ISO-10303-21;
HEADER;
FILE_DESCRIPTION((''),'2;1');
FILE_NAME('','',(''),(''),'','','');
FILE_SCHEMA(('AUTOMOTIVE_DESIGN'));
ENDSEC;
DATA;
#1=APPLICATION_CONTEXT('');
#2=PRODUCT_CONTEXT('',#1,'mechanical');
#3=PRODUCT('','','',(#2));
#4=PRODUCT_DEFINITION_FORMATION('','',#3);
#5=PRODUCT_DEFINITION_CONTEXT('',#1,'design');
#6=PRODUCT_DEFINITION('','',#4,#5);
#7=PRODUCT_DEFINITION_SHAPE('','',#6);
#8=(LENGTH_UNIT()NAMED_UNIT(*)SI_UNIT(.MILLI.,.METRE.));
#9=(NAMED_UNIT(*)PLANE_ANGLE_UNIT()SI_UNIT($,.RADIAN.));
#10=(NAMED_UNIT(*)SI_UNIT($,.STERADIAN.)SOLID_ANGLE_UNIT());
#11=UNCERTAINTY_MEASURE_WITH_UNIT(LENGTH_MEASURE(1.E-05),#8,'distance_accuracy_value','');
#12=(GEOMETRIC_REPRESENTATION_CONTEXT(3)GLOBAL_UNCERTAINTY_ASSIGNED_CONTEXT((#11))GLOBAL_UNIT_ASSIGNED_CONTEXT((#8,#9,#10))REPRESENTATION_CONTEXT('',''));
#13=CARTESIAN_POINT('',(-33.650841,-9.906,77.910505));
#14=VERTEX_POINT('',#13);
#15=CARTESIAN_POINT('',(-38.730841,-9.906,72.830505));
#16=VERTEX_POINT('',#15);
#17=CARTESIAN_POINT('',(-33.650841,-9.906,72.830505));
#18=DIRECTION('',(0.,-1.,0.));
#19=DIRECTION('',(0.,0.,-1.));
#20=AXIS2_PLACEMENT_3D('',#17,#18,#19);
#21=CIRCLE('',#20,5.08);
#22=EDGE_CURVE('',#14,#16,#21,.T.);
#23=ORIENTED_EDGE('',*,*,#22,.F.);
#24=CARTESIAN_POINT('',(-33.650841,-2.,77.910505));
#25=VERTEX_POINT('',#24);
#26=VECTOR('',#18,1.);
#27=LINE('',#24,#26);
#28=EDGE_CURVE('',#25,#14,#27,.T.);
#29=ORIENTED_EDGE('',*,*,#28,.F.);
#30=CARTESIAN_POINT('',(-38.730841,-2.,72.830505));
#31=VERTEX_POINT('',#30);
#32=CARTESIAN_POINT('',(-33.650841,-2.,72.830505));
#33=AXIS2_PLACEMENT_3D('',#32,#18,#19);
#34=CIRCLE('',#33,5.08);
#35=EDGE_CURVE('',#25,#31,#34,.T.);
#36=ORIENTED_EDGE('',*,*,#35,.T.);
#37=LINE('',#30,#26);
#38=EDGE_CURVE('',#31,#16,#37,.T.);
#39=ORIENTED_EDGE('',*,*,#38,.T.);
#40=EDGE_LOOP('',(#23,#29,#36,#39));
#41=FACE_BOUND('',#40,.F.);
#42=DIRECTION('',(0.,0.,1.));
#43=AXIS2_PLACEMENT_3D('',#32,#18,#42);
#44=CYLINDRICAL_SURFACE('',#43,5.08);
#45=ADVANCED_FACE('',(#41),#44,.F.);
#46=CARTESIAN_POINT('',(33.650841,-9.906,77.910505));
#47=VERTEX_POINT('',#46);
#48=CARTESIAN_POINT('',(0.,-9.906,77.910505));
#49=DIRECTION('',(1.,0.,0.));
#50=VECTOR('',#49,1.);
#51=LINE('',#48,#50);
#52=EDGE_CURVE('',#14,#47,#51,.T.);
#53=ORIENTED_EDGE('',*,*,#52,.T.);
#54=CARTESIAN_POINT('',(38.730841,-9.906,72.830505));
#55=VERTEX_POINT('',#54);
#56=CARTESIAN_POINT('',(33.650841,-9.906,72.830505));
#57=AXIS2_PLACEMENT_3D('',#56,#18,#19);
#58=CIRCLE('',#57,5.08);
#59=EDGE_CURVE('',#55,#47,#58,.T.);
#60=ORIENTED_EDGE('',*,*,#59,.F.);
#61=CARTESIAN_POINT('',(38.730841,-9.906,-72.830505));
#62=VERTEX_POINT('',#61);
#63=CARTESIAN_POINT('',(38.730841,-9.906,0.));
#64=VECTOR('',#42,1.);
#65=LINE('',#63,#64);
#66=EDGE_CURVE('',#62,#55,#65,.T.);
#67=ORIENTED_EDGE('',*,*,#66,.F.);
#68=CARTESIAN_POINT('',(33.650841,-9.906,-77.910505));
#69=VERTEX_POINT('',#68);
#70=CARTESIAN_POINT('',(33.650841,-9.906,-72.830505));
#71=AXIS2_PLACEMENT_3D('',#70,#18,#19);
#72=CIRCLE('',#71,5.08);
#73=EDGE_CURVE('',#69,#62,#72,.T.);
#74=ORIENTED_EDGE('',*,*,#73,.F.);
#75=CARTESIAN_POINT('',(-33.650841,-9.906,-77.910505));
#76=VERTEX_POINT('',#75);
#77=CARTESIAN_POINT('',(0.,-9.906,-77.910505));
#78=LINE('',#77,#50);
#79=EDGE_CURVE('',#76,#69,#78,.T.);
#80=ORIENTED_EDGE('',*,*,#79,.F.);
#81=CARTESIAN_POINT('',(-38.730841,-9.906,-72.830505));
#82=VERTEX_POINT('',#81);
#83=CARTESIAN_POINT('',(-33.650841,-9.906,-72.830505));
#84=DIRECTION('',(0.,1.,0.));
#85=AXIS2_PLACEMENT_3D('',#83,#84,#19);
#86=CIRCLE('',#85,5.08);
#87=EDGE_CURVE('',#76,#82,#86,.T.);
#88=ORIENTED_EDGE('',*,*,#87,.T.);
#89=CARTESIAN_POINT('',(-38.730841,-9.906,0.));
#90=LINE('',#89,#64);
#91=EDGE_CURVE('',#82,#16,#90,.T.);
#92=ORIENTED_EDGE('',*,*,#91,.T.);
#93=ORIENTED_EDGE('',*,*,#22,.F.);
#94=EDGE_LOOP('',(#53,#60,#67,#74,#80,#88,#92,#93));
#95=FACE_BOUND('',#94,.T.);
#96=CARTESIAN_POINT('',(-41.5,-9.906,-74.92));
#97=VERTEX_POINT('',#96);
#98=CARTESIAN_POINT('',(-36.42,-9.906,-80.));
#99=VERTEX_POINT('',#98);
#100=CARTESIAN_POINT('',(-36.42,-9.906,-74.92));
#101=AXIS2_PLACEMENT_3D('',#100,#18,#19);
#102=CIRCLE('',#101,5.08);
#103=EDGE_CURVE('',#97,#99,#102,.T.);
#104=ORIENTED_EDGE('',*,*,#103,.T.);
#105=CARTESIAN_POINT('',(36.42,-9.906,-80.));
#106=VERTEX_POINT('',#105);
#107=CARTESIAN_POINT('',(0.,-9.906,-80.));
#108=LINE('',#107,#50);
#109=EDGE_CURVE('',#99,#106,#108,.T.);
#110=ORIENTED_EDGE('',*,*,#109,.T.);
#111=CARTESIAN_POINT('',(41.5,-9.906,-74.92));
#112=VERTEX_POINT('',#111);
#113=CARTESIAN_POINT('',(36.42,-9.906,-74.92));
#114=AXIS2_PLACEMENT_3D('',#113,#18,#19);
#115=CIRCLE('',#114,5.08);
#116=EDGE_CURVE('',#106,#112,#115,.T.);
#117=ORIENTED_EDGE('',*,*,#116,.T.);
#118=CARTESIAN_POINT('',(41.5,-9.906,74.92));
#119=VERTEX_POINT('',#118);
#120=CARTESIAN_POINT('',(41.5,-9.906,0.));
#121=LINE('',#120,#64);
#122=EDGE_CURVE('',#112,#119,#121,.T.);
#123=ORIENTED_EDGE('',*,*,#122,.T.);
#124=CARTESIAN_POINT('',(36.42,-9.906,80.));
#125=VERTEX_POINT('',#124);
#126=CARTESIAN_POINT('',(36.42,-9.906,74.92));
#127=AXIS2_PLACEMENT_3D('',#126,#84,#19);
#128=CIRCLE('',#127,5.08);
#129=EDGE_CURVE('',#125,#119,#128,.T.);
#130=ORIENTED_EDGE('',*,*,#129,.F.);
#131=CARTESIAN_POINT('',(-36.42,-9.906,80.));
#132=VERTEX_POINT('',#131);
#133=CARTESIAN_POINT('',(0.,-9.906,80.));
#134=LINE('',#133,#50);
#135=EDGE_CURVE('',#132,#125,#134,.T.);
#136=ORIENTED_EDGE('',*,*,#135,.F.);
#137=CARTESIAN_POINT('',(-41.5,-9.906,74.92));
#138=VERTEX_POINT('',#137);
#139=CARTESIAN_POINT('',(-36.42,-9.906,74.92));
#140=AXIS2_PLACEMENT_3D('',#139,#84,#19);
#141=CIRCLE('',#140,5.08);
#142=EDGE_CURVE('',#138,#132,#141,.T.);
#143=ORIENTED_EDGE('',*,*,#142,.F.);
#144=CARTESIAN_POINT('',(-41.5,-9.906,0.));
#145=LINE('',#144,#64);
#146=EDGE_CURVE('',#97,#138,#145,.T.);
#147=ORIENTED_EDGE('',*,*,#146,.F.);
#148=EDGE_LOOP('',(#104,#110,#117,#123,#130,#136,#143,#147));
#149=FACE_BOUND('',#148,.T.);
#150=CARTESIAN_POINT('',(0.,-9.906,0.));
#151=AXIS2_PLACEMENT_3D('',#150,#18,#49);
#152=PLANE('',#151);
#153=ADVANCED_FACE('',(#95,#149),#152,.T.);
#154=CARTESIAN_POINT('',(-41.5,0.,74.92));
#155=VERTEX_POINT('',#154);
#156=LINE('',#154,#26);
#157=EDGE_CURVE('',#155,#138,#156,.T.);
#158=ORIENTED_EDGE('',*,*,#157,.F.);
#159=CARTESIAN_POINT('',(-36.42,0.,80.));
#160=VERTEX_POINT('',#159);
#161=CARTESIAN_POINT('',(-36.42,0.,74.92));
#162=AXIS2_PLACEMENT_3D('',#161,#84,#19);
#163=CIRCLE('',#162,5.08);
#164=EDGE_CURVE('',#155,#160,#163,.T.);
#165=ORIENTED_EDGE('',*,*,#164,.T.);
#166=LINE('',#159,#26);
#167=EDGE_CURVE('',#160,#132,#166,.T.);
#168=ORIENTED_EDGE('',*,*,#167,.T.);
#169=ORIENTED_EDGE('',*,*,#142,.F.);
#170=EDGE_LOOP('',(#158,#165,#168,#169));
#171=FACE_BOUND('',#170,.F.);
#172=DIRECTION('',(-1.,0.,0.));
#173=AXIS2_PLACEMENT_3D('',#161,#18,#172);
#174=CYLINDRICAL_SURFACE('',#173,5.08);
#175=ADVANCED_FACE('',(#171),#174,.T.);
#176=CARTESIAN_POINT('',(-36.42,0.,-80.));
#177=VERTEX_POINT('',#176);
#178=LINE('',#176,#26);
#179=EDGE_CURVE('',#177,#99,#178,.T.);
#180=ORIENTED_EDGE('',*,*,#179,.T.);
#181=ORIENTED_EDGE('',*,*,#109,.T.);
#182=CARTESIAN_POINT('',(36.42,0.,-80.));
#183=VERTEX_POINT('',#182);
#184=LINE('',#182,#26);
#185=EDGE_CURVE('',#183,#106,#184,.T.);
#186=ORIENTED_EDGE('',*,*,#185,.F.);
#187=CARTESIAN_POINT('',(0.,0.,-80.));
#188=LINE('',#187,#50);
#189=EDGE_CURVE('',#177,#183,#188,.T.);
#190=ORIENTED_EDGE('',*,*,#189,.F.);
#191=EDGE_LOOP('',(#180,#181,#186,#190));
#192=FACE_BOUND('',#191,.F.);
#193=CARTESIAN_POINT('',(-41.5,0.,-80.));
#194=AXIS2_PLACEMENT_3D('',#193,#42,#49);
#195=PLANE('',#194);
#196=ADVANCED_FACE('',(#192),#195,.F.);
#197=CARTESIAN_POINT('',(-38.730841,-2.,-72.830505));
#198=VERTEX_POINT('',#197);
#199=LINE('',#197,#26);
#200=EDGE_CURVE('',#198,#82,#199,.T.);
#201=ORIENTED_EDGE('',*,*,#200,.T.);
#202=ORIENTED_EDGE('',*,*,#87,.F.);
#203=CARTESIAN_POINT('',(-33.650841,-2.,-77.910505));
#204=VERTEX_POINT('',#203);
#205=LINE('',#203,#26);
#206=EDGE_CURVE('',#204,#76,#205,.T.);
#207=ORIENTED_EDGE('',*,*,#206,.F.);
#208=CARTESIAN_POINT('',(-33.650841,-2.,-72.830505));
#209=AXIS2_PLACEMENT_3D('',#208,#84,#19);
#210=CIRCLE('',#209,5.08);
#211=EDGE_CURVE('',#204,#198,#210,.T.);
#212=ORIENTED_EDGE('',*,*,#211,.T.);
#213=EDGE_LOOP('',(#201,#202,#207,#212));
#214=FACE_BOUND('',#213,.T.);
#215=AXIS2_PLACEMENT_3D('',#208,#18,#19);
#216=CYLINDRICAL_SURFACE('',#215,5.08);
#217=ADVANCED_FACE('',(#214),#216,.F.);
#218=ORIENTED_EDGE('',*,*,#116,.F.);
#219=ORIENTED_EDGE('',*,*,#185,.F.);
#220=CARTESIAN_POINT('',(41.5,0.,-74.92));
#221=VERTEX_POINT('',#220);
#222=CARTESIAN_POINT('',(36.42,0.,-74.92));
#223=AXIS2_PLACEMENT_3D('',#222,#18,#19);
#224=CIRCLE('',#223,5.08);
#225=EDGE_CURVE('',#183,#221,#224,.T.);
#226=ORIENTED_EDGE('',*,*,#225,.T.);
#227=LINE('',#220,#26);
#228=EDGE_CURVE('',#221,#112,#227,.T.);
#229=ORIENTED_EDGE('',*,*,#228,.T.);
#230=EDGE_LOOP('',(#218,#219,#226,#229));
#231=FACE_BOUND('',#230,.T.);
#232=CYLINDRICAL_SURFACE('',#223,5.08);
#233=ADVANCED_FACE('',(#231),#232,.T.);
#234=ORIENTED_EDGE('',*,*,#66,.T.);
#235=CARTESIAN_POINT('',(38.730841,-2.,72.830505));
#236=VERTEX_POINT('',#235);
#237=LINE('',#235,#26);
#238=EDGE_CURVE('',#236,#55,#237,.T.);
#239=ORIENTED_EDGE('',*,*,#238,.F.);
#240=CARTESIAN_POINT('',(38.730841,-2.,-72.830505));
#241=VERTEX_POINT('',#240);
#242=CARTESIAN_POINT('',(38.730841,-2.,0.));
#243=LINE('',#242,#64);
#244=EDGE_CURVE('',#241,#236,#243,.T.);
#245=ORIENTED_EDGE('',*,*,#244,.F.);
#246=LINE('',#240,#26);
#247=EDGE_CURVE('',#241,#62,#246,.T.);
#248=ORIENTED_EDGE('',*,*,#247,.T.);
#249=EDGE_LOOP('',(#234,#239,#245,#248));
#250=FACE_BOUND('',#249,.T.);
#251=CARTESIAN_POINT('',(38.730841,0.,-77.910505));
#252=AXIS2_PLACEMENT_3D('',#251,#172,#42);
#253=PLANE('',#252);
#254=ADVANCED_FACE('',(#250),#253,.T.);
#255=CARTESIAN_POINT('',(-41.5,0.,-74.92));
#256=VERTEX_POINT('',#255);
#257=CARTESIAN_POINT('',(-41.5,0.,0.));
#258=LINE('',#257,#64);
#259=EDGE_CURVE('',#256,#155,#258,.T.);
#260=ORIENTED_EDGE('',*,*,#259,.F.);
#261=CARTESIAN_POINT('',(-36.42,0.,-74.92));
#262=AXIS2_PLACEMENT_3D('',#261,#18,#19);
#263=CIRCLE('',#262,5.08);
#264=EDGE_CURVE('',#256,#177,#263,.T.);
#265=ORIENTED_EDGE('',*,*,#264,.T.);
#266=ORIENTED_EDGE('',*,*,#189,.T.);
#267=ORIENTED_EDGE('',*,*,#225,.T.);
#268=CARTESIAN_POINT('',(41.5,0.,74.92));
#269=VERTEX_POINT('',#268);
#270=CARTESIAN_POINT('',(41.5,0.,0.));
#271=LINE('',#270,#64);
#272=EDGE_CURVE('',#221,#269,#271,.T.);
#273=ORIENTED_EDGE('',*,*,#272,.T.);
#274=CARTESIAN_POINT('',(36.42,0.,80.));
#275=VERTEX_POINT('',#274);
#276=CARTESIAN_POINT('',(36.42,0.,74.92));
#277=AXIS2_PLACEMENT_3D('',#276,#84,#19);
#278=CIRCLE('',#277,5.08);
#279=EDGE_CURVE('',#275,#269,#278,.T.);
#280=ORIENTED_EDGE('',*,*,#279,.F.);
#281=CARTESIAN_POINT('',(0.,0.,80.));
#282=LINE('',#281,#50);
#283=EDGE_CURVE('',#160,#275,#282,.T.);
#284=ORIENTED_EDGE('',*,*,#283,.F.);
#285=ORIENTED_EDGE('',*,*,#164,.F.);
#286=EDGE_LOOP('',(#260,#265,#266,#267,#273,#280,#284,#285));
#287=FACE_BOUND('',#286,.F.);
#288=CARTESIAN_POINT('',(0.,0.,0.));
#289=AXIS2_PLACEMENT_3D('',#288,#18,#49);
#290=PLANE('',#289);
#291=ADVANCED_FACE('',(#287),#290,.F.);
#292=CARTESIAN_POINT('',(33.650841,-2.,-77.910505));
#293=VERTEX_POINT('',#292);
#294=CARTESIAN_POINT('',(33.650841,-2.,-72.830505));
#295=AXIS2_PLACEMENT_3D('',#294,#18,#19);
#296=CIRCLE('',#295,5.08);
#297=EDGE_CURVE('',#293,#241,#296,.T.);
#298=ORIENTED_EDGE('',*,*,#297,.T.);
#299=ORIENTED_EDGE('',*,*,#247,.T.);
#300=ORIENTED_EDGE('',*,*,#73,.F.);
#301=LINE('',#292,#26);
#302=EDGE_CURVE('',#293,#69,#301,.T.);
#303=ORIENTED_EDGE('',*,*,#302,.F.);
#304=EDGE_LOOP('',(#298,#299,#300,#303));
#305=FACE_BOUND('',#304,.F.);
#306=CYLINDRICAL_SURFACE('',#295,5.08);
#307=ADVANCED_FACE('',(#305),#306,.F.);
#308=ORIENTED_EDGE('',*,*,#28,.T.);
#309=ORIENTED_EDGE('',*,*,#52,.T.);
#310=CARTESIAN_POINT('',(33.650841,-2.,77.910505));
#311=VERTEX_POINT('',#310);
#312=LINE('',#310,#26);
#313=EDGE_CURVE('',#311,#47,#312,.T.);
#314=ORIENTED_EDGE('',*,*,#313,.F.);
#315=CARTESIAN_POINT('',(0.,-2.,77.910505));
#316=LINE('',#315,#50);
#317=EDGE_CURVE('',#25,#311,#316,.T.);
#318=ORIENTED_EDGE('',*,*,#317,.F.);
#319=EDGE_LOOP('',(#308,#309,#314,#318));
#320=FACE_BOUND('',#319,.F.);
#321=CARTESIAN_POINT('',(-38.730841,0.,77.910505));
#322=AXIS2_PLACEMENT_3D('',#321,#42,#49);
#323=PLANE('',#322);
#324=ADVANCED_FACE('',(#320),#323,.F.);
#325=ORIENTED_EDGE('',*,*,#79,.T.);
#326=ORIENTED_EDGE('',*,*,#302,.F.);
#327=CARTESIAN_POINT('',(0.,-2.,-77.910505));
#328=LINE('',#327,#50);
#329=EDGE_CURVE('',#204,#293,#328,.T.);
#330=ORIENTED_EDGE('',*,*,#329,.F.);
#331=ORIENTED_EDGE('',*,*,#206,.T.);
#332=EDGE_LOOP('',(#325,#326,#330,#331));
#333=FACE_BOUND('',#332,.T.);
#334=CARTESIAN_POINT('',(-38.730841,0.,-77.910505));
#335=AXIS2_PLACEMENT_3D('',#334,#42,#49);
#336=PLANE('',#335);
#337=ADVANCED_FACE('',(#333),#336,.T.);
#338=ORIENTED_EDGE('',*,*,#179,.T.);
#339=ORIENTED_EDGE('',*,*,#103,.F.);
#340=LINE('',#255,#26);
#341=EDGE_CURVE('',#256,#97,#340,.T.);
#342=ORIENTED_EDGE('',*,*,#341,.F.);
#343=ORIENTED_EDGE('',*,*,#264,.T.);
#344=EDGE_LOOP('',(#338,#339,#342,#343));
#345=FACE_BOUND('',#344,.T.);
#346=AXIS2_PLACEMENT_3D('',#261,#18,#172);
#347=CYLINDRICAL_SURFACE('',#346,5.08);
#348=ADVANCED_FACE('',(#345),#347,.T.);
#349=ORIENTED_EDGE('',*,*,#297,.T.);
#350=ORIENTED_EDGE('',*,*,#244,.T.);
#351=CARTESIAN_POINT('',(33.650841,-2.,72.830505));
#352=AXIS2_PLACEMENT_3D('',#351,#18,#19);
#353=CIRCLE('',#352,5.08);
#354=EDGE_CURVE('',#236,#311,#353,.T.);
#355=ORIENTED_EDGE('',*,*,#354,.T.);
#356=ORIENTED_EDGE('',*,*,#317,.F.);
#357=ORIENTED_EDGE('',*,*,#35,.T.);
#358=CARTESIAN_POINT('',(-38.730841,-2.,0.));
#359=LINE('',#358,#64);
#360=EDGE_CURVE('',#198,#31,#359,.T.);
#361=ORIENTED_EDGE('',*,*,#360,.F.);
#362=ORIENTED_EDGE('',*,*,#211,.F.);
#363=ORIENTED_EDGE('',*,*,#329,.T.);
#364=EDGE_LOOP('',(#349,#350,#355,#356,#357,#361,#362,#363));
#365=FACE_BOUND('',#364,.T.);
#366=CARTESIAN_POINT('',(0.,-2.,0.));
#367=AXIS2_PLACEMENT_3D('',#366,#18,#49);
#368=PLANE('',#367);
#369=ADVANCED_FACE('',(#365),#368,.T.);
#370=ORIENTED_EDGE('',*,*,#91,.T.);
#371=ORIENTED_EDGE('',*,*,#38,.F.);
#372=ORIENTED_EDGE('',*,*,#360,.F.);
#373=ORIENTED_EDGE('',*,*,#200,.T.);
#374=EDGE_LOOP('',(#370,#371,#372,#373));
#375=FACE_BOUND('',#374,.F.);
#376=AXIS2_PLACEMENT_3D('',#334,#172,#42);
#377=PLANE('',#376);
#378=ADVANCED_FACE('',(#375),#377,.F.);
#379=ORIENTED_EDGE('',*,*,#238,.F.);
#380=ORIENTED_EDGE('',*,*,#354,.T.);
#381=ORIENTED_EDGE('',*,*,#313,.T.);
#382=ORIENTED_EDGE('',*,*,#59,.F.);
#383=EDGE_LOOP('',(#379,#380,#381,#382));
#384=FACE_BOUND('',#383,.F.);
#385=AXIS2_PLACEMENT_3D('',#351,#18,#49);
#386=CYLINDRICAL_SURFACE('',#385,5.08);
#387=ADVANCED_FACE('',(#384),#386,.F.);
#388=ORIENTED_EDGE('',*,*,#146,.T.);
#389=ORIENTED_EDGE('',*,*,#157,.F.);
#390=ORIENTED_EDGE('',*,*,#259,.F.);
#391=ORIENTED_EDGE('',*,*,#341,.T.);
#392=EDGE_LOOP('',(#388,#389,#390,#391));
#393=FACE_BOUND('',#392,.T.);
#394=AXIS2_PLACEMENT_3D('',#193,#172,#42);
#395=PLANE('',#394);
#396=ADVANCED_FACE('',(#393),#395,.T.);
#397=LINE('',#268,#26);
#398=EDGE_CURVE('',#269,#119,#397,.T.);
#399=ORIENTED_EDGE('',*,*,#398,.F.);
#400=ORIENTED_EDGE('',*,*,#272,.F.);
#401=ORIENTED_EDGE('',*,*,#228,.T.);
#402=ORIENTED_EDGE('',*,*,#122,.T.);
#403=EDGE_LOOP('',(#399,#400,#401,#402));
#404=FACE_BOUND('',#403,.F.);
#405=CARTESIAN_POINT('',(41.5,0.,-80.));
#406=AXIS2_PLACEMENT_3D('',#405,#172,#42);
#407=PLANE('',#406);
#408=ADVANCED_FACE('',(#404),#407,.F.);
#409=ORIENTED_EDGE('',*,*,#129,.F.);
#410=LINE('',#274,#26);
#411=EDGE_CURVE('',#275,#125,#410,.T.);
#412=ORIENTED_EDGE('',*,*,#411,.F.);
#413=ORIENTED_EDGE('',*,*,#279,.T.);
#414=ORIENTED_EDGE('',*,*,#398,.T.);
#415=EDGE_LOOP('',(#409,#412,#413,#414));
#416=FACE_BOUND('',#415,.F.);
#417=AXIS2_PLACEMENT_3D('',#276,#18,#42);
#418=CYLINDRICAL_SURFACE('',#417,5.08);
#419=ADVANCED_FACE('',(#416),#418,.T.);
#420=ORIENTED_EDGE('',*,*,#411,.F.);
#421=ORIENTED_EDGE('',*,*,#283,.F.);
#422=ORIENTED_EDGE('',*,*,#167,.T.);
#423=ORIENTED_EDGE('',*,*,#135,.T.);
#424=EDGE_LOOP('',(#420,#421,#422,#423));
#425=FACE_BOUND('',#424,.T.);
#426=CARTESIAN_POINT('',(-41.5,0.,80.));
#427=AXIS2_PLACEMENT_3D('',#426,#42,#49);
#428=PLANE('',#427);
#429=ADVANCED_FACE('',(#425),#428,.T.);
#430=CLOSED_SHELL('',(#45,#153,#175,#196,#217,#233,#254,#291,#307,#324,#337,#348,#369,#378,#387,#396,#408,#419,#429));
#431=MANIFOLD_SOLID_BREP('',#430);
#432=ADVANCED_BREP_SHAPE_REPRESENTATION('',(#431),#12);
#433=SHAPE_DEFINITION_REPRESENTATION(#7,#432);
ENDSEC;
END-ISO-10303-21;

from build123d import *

# Parameters (mm, degrees)
F0_W     = 83
F0_H     = 160
F0_W_2   = 77.461682
F0_H_2   = 155.82101
F1_DEPTH = 9.906
F2_DEPTH = 2
F3_R     = 5.08


with BuildPart() as f1:
    # F0 (on Front) → F1 (new body)
    with BuildSketch(Plane.XZ):
        Rectangle(F0_W, F0_H)
        Rectangle(F0_W_2, F0_H_2, mode=Mode.SUBTRACT)
    extrude(amount=F1_DEPTH)

    # F0 (on Front) → F2 (join)
    with BuildSketch(Plane.XZ):
        Rectangle(F0_W_2, F0_H_2)
    extrude(amount=F2_DEPTH)

    # F3
    f3_edges = [f1.edges().sort_by_distance(p)[0] for p in [
        (-38.730841, -5.953, 77.910505),
        (38.730841, -5.953, 77.910505),
        (-38.730841, -5.953, -77.910505),
        (38.730841, -5.953, -77.910505),
        (41.5, -4.953, -80),
        (-41.5, -4.953, 80),
        (-41.5, -4.953, -80),
        (41.5, -4.953, 80),
    ]]
    fillet(f3_edges, radius=F3_R)


solid = f1.part
